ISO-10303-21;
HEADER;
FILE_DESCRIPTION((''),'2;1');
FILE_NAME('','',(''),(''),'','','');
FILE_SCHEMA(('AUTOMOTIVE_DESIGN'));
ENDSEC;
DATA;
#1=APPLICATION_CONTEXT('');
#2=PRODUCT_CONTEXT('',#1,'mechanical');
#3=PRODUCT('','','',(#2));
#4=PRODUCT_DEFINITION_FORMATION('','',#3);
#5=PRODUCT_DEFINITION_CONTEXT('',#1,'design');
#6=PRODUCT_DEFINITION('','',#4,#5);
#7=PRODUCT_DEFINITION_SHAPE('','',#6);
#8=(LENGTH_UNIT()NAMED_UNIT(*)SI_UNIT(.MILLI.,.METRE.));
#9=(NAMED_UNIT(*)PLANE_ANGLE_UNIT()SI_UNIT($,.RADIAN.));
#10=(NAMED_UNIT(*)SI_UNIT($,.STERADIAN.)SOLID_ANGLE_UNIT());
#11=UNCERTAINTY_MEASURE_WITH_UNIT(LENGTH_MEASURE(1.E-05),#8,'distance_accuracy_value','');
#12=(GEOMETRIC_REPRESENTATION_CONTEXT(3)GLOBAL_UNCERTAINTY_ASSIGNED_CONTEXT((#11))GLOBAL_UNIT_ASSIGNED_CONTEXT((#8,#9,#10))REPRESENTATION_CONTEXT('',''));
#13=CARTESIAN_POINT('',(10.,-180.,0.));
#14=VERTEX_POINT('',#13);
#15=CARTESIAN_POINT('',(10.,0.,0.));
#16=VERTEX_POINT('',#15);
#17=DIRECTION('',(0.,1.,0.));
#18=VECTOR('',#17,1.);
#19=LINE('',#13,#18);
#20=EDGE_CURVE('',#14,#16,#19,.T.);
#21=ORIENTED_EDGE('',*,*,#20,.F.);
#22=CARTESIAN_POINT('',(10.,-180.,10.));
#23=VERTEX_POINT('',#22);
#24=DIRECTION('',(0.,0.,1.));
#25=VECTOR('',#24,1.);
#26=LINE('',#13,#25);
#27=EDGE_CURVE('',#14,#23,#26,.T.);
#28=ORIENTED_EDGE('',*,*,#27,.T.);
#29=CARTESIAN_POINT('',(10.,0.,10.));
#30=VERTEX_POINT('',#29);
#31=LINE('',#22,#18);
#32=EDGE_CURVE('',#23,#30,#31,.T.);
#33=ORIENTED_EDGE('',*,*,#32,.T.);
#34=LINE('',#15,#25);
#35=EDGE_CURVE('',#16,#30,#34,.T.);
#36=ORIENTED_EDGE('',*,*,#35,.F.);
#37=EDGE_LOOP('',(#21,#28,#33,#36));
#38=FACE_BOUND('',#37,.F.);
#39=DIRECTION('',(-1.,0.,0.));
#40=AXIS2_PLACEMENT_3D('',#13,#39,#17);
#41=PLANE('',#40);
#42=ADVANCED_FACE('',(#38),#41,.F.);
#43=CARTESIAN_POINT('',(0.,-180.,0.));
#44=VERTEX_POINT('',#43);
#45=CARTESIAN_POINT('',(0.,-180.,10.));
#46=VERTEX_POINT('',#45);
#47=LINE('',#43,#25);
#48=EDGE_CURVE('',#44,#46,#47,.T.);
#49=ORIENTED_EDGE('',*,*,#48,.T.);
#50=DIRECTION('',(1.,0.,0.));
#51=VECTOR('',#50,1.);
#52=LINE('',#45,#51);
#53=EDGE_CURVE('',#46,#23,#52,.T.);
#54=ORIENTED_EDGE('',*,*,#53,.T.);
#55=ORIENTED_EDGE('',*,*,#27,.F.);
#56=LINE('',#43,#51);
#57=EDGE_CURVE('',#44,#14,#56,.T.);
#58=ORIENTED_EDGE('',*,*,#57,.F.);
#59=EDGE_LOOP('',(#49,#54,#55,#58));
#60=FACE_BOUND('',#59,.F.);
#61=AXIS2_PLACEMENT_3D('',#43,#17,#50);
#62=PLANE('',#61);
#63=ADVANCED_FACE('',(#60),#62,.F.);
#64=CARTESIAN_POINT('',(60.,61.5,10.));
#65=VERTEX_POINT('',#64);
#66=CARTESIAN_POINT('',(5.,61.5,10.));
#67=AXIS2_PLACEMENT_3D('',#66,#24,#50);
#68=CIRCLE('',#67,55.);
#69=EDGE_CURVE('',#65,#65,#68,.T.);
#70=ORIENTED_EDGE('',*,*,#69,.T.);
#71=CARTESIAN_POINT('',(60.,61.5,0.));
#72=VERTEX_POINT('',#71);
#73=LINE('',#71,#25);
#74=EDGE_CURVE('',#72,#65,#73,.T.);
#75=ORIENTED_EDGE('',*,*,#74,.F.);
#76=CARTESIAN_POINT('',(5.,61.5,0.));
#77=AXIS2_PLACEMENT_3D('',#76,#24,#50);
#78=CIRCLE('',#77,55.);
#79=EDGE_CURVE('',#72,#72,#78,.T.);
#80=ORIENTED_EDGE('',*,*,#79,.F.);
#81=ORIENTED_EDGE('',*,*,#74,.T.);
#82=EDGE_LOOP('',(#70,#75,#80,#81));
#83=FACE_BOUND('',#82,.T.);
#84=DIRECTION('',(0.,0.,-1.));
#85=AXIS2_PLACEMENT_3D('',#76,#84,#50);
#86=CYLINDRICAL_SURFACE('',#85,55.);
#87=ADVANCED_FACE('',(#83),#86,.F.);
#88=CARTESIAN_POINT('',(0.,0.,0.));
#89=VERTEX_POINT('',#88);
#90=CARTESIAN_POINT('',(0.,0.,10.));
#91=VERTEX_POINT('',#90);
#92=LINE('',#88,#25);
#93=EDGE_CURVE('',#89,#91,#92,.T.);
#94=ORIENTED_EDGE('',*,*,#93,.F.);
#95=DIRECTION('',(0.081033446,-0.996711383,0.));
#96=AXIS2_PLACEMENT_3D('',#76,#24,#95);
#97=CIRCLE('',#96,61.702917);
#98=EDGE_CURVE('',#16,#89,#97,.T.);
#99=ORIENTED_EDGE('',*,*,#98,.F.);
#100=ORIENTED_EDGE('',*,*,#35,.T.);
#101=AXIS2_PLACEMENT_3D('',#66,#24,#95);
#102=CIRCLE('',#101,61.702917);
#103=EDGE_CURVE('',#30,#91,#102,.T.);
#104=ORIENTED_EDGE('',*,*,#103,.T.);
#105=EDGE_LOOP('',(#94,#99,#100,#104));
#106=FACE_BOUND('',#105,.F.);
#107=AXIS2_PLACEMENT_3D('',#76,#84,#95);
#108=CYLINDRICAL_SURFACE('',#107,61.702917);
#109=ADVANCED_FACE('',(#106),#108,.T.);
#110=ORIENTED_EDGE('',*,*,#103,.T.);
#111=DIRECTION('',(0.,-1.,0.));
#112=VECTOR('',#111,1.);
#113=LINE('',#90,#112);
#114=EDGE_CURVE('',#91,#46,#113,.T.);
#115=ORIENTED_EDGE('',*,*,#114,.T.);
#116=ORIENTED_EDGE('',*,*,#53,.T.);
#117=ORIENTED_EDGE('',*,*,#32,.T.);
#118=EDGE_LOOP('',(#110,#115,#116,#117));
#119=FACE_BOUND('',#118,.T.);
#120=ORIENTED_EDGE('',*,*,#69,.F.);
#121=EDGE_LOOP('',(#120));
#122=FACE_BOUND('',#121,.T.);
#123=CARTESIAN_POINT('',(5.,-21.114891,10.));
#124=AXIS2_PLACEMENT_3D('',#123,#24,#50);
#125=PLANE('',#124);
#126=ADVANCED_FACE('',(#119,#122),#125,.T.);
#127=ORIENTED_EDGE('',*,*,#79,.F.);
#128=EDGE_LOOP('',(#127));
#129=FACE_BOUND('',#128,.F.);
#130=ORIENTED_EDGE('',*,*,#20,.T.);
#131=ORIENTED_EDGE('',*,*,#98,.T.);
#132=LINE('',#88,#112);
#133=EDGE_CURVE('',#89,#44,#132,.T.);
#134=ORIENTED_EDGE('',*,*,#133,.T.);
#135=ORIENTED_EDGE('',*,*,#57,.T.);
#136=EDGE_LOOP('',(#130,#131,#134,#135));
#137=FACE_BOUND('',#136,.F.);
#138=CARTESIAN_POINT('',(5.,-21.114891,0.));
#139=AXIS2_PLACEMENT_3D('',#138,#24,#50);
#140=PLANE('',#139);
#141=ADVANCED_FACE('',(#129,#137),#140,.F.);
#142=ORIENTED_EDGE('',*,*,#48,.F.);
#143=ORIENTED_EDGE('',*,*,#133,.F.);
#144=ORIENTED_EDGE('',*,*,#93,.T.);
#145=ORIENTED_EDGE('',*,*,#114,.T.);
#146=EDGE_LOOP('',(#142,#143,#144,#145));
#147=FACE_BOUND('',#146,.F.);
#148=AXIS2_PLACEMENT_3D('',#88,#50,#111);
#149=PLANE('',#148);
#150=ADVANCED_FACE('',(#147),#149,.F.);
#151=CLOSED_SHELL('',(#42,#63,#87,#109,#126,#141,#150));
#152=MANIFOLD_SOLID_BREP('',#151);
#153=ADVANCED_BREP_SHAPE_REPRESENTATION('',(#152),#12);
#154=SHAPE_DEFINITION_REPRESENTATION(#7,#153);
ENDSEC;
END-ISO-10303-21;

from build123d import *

# Parameters (mm, degrees)
F0_R     = 55
F1_DEPTH = 10


with BuildPart() as f1:
    # F0 (on Top) → F1 (new body)
    with BuildSketch(Plane.XY):
        with BuildLine():
            ThreePointArc((10, 0), (5, 123.202917), (0, 0))
            Line((0, 0), (0, -180))
            Line((0, -180), (10, -180))
            Line((10, -180), (10, 0))
        make_face()
        with Locations((5, 61.5)):
            Circle(F0_R, mode=Mode.SUBTRACT)
    extrude(amount=F1_DEPTH)


solid = f1.part
